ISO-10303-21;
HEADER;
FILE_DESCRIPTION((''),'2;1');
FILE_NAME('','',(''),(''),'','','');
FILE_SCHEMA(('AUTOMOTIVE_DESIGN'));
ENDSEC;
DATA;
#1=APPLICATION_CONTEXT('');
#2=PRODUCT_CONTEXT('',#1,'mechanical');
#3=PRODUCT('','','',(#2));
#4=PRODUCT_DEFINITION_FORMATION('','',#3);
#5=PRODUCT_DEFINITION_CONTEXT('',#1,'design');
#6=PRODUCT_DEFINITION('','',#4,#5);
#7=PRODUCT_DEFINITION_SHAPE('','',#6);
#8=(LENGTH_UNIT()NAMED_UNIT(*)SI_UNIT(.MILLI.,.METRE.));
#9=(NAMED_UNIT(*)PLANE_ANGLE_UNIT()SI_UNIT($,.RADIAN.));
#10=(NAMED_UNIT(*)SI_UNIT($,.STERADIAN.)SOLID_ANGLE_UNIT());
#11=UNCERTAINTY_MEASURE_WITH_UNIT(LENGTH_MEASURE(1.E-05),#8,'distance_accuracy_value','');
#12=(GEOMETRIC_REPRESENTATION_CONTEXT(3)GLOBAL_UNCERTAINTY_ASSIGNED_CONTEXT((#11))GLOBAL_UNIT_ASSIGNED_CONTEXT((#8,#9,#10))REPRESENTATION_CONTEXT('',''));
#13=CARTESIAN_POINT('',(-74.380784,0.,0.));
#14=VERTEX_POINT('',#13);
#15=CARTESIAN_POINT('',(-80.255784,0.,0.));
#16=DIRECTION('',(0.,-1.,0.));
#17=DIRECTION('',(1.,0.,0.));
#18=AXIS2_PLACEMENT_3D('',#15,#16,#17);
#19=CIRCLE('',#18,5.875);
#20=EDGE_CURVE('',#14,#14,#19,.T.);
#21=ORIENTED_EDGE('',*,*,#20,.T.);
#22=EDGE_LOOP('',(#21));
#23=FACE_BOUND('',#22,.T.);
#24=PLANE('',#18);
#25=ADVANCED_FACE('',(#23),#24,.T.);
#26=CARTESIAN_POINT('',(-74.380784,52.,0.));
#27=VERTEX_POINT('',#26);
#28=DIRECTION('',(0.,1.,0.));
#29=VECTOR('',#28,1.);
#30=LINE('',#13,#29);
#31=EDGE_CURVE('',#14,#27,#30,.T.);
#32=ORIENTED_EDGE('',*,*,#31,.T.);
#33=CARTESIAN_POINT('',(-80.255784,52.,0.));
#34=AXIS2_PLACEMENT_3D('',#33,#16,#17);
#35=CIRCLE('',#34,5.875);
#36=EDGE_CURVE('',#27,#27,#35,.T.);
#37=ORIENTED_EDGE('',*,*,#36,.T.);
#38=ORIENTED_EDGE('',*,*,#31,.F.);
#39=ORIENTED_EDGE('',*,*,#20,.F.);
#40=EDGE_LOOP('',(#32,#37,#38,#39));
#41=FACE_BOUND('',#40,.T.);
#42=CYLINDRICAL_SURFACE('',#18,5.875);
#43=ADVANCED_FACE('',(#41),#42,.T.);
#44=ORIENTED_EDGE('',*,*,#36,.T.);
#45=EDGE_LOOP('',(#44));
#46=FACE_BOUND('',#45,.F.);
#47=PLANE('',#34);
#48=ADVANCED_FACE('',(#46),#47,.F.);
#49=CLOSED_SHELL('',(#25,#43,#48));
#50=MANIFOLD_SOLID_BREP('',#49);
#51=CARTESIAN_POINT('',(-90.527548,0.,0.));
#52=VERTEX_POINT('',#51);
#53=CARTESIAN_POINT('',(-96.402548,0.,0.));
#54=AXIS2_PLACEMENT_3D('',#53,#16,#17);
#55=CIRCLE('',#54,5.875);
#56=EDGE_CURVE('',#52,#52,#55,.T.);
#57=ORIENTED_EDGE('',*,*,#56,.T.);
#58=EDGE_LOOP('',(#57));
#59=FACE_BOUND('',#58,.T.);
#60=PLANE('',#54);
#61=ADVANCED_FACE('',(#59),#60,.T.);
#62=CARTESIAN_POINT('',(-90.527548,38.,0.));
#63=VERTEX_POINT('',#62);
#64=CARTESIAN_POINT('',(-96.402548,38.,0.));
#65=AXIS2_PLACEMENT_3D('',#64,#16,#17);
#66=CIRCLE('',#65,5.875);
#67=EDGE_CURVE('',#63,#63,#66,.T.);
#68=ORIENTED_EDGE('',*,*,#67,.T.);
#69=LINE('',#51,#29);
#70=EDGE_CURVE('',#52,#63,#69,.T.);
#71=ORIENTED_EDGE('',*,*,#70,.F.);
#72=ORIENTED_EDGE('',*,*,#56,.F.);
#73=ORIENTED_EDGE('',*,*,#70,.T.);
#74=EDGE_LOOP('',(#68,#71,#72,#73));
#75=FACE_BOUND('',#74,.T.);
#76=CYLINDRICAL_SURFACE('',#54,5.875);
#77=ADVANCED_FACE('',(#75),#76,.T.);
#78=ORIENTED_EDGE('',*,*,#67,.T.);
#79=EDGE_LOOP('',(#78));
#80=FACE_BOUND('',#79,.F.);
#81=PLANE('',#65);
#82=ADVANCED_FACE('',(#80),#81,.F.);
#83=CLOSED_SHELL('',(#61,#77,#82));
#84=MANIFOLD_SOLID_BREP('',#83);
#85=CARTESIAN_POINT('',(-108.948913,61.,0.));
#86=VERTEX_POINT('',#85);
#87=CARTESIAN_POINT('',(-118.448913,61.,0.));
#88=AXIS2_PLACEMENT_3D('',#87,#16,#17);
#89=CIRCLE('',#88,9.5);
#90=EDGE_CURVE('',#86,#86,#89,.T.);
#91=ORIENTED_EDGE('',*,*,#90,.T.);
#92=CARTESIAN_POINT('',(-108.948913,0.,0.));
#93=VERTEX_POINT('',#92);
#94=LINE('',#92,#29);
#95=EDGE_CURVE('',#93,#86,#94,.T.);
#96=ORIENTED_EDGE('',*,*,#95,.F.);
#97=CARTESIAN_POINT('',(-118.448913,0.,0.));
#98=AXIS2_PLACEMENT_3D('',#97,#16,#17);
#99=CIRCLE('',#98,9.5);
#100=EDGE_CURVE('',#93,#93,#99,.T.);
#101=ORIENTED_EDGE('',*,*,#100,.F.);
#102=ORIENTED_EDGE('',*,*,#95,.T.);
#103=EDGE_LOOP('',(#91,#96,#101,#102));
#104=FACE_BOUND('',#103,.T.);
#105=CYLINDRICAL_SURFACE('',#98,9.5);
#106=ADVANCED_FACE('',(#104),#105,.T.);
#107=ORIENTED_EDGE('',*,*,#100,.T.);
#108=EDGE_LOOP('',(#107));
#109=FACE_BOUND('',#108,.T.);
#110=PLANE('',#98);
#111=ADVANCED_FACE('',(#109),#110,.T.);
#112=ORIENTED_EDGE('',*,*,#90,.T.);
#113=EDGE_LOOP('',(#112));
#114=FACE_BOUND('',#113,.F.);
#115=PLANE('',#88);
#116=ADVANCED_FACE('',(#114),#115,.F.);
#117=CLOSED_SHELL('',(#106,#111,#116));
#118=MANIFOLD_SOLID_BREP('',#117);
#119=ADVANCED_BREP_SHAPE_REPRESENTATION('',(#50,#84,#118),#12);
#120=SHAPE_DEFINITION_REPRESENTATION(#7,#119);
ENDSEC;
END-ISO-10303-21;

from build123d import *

# Parameters (mm, degrees)
F0_R     = 9.5
F1_DEPTH = 61
F0_R_2   = 5.875
F2_DEPTH = 38
F3_DEPTH = 52


with BuildPart() as f1:
    # F0 (on Front) → F1 (new body)
    with BuildSketch(Plane.XZ):
        with Locations((-118.448913, 0)):
            Circle(F0_R)
    extrude(amount=-F1_DEPTH)


with BuildPart() as f2:
    # F0 (on Front) → F2 (new body)
    with BuildSketch(Plane.XZ):
        with Locations((-96.402548, 0)):
            Circle(F0_R_2)
    extrude(amount=-F2_DEPTH)


with BuildPart() as f3:
    # F0 (on Front) → F3 (new body)
    with BuildSketch(Plane.XZ):
        with Locations((-80.255784, 0)):
            Circle(F0_R_2)
    extrude(amount=-F3_DEPTH)


solid = Compound([f1.part, f2.part, f3.part])
